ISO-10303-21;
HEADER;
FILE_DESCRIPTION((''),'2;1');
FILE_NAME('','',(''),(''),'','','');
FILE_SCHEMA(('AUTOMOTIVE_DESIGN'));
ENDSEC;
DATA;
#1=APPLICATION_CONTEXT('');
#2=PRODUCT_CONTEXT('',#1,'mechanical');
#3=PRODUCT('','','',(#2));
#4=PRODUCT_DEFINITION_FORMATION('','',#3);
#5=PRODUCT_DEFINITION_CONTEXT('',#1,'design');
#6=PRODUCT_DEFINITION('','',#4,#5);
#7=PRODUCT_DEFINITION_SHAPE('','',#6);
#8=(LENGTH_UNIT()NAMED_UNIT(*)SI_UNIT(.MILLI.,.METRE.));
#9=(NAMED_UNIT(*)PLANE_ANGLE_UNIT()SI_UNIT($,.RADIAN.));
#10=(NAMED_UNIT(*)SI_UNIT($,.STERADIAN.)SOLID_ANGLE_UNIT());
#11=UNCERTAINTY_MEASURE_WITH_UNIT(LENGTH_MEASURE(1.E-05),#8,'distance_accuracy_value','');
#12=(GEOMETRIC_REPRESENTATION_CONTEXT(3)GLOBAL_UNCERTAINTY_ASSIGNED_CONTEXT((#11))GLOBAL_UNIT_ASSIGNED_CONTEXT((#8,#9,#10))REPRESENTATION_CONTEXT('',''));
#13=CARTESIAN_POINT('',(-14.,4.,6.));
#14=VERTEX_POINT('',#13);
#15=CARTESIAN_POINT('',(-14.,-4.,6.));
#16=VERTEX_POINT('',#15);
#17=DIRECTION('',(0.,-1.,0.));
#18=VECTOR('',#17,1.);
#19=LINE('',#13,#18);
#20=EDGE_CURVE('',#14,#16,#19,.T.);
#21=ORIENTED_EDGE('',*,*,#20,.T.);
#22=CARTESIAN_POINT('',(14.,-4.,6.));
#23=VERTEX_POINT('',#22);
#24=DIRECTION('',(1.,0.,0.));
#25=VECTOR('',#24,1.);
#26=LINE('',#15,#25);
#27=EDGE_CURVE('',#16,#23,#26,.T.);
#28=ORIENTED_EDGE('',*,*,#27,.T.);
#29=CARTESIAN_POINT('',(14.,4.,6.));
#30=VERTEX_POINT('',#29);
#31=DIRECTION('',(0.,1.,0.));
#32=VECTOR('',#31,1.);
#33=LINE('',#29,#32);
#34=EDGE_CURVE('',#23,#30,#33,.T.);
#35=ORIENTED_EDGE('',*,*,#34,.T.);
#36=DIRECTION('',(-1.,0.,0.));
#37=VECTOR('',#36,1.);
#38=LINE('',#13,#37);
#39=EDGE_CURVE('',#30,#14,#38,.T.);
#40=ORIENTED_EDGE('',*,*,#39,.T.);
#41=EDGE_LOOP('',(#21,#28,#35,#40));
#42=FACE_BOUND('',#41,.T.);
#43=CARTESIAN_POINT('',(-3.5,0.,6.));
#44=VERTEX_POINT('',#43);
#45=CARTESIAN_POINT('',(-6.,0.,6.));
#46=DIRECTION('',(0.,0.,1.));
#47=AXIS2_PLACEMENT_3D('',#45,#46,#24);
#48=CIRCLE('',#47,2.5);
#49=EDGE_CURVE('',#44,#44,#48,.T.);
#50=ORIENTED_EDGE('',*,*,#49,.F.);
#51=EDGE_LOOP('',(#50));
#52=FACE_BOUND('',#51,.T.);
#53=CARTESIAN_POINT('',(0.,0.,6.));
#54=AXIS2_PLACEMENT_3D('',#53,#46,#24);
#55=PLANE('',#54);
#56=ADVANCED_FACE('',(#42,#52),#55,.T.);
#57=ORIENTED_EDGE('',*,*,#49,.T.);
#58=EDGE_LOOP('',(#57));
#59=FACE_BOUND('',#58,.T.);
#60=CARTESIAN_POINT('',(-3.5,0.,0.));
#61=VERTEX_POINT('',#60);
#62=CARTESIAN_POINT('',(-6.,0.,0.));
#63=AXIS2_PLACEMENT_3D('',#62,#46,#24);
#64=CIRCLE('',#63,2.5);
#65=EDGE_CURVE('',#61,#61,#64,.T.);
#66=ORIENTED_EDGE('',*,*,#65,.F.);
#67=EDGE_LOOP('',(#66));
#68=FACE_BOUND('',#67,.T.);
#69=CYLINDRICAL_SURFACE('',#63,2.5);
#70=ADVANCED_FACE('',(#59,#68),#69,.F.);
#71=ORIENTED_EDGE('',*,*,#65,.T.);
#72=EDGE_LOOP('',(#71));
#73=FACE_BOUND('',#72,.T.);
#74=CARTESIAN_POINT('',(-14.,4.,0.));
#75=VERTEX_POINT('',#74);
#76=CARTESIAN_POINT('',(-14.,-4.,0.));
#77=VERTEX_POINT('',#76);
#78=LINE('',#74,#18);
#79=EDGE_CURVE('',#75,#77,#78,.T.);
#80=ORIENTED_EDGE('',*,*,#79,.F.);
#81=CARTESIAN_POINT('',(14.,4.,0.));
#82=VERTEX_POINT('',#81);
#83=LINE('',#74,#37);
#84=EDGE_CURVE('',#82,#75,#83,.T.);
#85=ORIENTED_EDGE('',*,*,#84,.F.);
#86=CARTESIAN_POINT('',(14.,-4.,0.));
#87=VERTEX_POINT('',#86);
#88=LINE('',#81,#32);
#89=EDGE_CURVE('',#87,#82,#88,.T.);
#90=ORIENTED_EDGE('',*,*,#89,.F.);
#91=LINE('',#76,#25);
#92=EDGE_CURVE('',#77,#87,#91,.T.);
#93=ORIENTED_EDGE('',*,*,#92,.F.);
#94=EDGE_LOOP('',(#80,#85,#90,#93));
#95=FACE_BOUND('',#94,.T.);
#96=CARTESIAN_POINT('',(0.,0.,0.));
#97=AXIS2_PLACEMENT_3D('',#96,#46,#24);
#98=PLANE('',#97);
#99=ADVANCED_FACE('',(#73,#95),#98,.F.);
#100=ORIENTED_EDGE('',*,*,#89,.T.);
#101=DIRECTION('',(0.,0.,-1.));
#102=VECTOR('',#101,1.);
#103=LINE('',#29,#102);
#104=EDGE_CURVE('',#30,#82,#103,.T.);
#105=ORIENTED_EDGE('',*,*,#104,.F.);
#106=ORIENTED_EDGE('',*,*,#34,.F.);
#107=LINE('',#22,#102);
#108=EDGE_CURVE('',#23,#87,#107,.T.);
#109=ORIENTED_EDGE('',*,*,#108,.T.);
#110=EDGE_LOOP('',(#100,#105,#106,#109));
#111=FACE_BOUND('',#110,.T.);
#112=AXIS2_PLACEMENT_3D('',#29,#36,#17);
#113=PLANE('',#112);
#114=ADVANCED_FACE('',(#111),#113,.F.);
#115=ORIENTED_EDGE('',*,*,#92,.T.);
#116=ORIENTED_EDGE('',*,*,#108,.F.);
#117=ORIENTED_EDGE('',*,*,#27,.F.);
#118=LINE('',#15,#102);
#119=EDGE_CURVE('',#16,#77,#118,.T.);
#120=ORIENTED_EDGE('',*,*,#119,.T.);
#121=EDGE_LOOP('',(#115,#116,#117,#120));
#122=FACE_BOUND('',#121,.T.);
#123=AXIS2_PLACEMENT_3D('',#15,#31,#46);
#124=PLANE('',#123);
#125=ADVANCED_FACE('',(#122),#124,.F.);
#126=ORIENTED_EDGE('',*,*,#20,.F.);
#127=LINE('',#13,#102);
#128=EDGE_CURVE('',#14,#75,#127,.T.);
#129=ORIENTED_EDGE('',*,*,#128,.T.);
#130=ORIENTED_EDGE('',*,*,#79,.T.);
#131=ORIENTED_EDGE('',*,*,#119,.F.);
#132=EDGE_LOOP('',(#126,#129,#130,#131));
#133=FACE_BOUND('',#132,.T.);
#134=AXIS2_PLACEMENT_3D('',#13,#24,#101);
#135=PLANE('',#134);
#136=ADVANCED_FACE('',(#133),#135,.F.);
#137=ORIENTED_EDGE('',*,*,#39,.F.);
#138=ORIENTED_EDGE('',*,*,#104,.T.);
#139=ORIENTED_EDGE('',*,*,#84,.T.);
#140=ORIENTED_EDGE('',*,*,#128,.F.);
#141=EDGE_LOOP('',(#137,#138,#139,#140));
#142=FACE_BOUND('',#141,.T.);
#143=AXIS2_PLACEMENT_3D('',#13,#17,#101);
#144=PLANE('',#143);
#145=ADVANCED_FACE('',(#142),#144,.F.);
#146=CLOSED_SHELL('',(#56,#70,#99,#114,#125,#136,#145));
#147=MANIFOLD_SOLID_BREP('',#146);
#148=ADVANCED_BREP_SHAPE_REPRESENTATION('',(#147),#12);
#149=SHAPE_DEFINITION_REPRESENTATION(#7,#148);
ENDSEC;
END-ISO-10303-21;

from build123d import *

# Parameters (mm, degrees)
SKICA1_W                 = 28
SKICA1_H                 = 8
P_IDAT_VYSUNUT_M2_DEPTH  = 6
SKICA2_R                 = 2.5
ODEBRAT_VYSUNUT_M1_DEPTH = 16.748015748


with BuildPart() as part:
    # Skica1 → Přidat vysunutím2 (new body)
    with BuildSketch(Plane.XY):
        Rectangle(SKICA1_W, SKICA1_H)
    extrude(amount=P_IDAT_VYSUNUT_M2_DEPTH)

    # Skica2 → Odebrat vysunutím1 (cut, through all)
    with BuildSketch(Plane.XY.offset(6)):
        with Locations((-6, 0)):
            Circle(SKICA2_R)
    extrude(amount=-ODEBRAT_VYSUNUT_M1_DEPTH, mode=Mode.SUBTRACT)


solid = part.part
